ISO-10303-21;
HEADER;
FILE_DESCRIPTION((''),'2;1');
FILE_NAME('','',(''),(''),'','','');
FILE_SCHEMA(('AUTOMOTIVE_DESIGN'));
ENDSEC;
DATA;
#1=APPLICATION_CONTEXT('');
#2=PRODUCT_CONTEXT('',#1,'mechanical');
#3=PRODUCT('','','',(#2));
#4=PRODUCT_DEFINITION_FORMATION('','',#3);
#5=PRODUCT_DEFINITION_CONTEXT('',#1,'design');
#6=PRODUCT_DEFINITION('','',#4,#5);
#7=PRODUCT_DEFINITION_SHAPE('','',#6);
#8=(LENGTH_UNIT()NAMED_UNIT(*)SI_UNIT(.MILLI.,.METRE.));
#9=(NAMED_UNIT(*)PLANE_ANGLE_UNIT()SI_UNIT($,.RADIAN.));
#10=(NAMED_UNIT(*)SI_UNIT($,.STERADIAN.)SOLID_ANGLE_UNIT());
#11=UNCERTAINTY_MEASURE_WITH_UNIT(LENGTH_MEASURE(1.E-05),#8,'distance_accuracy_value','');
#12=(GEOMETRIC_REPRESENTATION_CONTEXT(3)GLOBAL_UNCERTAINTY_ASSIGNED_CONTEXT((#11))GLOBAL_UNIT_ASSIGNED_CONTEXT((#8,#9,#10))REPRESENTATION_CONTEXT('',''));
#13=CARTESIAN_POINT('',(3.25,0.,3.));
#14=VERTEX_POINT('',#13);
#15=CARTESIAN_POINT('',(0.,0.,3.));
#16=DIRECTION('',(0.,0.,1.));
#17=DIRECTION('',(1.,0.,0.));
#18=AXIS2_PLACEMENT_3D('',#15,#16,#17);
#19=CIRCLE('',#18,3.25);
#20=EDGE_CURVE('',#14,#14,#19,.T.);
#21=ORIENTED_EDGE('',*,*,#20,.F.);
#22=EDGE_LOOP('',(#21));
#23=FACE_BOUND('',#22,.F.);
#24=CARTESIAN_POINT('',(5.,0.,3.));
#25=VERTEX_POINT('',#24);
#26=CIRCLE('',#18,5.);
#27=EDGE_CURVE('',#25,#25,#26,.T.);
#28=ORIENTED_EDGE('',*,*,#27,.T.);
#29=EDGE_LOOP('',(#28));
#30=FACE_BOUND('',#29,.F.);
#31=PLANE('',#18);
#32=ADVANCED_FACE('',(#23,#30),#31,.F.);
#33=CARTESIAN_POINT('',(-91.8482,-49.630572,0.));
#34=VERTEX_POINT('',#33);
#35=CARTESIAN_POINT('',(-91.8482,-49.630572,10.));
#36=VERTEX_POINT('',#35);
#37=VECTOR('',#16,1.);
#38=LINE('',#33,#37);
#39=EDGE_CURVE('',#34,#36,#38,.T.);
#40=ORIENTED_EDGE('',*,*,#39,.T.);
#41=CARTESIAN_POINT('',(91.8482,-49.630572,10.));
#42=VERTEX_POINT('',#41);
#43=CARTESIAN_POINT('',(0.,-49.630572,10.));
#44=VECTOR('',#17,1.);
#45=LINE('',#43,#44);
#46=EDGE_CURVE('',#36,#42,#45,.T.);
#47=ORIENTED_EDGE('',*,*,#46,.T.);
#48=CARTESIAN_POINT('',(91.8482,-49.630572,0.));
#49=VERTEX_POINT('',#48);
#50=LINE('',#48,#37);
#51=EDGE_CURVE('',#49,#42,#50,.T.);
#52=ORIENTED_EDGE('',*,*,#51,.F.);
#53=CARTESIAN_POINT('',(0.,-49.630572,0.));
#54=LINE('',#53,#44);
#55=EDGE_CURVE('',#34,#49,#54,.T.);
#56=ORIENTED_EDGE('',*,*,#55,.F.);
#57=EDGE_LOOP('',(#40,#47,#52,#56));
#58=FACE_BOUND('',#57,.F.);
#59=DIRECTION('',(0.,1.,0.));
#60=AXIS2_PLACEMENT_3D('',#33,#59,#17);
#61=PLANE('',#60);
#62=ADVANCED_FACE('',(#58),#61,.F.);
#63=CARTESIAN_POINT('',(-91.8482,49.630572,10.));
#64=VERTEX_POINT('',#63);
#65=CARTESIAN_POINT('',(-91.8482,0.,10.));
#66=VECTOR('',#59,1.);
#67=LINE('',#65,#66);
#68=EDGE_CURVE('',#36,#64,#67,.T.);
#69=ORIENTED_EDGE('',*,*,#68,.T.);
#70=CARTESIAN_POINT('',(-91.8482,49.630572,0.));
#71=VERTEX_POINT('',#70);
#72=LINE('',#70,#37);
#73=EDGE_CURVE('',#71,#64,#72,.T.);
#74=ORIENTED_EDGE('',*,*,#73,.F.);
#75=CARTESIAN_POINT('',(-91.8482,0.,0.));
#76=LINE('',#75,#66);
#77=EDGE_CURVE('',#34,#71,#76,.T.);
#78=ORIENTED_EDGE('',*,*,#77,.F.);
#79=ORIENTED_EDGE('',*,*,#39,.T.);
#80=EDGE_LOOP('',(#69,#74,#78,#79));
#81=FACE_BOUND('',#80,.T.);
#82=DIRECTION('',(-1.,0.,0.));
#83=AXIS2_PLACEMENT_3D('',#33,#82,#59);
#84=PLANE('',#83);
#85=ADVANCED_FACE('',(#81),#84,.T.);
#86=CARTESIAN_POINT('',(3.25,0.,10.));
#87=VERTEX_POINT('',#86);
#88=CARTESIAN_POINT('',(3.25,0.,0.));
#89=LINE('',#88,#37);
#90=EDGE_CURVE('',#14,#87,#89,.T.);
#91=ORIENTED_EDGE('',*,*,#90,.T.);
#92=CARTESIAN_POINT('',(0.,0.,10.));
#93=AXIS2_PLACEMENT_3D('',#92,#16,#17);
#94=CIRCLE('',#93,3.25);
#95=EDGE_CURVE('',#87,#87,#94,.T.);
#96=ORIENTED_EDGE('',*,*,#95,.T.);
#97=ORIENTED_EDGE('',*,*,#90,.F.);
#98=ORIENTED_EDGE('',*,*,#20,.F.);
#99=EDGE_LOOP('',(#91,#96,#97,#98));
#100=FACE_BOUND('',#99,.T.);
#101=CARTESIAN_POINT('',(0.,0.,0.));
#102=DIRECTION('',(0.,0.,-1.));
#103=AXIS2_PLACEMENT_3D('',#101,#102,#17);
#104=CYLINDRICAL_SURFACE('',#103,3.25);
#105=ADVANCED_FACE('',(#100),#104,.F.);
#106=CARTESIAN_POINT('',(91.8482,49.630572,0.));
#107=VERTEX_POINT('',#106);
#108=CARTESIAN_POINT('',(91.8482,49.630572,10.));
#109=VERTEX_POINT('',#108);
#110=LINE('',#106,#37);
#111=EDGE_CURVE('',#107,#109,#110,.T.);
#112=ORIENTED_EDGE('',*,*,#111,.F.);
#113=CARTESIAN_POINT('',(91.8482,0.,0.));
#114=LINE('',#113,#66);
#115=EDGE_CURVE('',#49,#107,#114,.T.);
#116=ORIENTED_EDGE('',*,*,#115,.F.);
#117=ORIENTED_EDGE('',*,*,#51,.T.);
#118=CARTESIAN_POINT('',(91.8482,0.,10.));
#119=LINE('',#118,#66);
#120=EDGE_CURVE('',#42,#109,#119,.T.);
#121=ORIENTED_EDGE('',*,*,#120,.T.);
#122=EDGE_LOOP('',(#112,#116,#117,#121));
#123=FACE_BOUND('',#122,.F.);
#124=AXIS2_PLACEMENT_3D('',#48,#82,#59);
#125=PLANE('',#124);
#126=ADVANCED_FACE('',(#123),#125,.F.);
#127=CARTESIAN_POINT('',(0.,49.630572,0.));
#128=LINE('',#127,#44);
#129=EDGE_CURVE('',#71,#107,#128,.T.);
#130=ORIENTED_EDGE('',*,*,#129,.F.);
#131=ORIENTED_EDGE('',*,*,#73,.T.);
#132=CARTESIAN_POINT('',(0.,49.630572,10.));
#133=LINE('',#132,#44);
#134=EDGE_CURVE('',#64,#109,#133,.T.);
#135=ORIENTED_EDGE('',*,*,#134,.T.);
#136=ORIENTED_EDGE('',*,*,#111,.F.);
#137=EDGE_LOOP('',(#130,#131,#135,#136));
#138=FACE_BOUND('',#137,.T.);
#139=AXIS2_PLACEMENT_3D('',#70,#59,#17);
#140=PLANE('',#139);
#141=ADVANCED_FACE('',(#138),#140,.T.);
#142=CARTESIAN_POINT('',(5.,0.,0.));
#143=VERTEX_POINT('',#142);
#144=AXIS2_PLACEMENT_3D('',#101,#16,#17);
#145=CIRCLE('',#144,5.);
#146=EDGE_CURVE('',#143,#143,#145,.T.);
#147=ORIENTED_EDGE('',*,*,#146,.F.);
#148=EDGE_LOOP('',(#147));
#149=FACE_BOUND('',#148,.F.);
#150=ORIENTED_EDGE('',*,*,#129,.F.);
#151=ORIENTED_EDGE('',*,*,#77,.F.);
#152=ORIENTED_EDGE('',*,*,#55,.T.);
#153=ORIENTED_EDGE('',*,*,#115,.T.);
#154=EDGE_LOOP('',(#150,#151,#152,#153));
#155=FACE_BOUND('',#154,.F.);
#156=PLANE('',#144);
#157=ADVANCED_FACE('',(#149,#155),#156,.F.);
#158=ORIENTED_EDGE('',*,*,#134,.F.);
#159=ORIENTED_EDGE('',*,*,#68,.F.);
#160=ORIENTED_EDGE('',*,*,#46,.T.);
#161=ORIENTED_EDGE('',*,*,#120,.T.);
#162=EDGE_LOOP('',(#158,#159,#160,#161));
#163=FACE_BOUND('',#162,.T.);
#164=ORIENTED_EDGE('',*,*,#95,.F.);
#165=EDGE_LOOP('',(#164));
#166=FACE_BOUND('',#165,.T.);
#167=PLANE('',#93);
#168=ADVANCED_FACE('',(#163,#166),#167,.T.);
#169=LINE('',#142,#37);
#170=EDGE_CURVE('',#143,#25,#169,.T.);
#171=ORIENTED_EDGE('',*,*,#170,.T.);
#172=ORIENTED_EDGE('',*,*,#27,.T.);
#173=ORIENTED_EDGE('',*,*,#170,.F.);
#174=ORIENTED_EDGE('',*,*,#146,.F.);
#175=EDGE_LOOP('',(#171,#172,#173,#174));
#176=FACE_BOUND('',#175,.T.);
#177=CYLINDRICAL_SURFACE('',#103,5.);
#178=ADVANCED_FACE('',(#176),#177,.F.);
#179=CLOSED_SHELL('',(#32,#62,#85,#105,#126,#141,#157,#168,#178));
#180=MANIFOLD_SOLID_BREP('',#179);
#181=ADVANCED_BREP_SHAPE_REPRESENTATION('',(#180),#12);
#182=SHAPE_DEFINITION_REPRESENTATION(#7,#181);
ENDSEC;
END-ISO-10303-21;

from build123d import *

# Parameters (mm, degrees)
F0_W     = 183.6964
F0_H     = 99.261144
F0_R     = 3.25
F1_DEPTH = 10
F2_R     = 3.25
F3_DEPTH = 3


with BuildPart() as f1:
    # F0 (on Top) → F1 (new body)
    with BuildSketch(Plane.XY):
        Rectangle(F0_W, F0_H)
        Circle(F0_R, mode=Mode.SUBTRACT)
    extrude(amount=F1_DEPTH)

    # F2 (on face) → F3 (cut)
    with BuildSketch(Plane.XY):
        with BuildLine():
            ThreePointArc((-5, 0), (0, -5), (5, 0))
            ThreePointArc((5, 0), (0, 5), (-5, 0))
        make_face()
        Circle(F2_R, mode=Mode.SUBTRACT)
    extrude(amount=F3_DEPTH, mode=Mode.SUBTRACT)


solid = f1.part
